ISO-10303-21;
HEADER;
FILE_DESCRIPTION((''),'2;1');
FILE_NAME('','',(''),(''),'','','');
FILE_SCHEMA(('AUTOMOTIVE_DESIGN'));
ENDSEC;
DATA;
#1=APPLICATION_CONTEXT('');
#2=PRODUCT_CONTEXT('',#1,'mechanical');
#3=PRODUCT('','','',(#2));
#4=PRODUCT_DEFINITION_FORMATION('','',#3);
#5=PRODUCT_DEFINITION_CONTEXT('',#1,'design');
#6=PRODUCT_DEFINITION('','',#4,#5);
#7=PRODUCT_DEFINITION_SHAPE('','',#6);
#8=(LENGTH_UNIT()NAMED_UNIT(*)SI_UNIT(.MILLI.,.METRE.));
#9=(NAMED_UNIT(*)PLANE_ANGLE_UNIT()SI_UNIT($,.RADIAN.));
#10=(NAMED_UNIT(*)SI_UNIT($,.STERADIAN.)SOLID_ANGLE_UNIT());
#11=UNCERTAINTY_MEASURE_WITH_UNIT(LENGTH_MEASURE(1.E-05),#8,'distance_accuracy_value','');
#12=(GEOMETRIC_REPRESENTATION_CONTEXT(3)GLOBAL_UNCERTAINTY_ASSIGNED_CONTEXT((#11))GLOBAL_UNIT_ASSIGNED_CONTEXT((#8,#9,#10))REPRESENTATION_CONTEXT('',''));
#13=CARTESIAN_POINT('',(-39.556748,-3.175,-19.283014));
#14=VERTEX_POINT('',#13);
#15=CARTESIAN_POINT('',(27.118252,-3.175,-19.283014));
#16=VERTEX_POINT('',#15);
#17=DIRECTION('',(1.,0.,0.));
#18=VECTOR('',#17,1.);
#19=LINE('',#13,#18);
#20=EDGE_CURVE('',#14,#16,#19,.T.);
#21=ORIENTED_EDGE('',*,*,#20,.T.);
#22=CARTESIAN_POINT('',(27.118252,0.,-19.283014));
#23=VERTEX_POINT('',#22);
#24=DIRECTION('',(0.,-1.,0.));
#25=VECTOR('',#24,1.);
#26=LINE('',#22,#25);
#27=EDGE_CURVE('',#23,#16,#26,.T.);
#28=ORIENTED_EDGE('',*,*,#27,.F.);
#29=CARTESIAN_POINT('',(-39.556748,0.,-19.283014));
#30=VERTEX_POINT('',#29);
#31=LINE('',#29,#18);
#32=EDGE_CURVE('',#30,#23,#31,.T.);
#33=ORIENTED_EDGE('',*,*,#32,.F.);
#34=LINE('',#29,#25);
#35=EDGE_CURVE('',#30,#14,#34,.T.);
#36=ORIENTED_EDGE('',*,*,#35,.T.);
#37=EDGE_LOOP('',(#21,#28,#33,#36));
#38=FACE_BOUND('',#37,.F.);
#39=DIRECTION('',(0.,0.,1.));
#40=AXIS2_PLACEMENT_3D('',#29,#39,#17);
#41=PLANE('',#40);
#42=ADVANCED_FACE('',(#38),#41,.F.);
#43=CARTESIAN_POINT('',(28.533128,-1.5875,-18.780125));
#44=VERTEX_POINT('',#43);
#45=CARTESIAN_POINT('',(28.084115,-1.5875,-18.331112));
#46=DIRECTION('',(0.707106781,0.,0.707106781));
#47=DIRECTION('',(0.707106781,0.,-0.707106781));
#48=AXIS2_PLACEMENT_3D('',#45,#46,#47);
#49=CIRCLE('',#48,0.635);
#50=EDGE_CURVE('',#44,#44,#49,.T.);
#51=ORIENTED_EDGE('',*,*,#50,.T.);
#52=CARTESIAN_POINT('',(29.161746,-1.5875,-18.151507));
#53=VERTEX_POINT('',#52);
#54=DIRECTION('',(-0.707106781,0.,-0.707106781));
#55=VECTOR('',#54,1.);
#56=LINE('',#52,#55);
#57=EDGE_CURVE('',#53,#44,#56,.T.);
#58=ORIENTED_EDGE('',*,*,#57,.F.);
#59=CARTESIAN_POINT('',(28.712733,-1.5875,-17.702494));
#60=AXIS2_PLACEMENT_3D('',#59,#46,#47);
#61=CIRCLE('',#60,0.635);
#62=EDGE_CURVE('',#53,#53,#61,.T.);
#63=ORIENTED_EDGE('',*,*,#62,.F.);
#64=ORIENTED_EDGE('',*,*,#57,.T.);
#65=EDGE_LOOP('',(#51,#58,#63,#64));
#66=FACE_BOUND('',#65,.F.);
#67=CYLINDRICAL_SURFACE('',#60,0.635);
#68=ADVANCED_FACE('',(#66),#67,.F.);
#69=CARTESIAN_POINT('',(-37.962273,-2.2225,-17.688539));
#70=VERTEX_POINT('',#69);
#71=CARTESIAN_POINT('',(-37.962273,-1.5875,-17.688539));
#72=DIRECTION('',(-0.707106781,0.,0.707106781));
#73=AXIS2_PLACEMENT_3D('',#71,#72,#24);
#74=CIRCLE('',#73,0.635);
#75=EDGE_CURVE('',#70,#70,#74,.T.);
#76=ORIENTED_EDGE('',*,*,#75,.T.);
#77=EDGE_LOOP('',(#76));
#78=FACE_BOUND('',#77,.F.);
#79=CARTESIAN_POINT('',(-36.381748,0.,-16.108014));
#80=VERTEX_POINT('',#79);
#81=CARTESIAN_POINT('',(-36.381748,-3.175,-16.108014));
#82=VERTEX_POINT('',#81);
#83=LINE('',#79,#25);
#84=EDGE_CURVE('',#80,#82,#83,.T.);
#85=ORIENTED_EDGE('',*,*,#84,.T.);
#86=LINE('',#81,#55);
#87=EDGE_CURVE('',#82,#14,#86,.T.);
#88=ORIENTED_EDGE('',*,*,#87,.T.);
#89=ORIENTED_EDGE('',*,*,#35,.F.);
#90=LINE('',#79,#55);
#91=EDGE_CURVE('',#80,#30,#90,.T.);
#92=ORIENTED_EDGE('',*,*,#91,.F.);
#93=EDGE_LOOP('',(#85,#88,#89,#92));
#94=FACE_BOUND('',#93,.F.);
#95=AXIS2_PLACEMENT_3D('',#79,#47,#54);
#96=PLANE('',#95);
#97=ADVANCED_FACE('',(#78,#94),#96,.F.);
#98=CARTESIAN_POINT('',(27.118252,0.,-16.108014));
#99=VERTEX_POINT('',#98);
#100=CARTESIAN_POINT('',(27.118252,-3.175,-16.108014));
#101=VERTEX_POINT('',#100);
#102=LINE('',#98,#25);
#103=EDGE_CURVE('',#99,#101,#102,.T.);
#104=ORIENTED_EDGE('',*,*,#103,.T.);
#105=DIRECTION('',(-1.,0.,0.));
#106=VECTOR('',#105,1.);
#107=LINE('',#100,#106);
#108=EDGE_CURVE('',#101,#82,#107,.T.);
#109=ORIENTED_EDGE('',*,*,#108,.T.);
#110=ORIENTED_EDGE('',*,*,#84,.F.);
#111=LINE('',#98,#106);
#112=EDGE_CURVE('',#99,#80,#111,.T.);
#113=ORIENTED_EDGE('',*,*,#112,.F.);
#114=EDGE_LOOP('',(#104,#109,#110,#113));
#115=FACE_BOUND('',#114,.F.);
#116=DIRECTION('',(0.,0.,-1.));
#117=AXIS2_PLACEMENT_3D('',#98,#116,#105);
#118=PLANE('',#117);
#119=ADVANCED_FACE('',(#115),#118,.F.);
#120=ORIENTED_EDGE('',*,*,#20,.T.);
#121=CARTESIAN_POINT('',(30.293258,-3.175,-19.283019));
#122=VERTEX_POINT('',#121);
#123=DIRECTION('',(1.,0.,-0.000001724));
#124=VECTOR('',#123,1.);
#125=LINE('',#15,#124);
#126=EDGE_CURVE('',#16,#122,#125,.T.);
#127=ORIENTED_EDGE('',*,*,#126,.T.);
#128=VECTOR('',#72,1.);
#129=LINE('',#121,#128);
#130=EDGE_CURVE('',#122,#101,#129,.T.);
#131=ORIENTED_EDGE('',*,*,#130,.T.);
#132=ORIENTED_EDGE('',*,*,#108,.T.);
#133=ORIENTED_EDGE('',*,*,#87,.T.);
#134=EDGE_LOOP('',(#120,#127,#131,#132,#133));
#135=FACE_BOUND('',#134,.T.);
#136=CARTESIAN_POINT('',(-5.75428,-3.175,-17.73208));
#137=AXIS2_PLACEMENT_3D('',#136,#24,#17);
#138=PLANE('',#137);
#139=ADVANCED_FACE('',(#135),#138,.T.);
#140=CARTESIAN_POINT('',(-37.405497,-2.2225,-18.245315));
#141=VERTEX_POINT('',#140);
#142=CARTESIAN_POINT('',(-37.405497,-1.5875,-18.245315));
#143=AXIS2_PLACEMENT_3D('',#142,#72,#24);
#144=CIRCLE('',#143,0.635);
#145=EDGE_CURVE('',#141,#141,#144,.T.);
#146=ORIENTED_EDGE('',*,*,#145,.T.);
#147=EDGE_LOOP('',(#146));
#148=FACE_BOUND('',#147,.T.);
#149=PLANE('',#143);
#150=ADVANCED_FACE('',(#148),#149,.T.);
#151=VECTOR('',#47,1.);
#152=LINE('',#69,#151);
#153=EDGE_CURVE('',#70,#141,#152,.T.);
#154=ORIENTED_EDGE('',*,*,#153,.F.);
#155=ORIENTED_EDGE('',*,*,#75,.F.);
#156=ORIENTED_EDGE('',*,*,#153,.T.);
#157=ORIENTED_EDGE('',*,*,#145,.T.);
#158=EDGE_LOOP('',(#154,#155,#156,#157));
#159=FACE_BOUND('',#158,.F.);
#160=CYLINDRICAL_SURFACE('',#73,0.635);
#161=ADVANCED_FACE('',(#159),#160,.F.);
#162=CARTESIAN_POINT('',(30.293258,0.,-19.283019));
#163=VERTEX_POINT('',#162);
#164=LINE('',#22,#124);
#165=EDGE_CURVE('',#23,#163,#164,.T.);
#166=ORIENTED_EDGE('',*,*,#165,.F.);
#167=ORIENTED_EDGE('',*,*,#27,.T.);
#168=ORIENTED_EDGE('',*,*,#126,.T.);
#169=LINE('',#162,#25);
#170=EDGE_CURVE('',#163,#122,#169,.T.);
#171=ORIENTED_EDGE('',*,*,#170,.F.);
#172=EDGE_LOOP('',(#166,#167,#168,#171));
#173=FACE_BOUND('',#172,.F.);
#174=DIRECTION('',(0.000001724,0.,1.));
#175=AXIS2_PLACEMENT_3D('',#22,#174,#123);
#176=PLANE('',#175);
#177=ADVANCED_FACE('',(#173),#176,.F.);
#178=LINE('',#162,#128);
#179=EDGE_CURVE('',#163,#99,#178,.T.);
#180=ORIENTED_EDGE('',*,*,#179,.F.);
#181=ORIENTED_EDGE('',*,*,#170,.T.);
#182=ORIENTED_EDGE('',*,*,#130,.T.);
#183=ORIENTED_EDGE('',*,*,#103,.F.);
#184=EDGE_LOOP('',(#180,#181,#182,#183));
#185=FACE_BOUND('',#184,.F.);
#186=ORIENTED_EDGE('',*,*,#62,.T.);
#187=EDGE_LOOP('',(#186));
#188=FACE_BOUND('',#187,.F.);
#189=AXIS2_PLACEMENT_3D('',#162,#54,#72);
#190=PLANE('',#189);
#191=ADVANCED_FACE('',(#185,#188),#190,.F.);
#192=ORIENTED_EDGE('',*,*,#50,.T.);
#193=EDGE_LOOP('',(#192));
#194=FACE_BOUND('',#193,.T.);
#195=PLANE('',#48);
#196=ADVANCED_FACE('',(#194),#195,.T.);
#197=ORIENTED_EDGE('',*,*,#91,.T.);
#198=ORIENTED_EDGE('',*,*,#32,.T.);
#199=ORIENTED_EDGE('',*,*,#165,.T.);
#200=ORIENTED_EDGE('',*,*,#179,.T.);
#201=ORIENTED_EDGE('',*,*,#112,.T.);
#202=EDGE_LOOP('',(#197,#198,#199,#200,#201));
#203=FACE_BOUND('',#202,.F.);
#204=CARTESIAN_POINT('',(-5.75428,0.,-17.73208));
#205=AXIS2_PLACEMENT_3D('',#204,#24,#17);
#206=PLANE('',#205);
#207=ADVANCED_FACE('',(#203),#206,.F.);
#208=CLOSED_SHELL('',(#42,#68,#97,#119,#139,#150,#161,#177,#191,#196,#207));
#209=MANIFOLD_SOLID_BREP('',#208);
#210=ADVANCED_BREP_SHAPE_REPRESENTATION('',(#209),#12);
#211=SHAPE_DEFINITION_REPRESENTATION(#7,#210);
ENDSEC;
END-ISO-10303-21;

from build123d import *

# Parameters (mm, degrees)
F1_DEPTH = 3.175
F2_R     = 0.635
F3_DEPTH = 0.7874
F4_R     = 0.635
F5_DEPTH = 0.889


with BuildPart() as f1:
    # F0 (on Front) → F1 (new body)
    with BuildSketch(Plane.XZ):
        Polygon((-36.3817475656, -16.1080135742), (-39.5567475656, -19.2830135742), (27.1182524344, -19.2830135742), (27.1182524344, -16.1080135742), align=None)
        Polygon((27.1182524344, -16.1080135742), (27.1182524344, -19.2830135742), (30.293257907, -19.2830190468), align=None)
    extrude(amount=F1_DEPTH)

    # F2 (on face) → F3 (cut)
    with BuildSketch(Plane(origin=(-10.1368669957, 0, 10.1368669957), x_dir=(0, -1, 0), z_dir=(-0.7071067812, 0, 0.7071067812))):
        with Locations((1.5875, -39.3510660448)):
            Circle(F2_R)
    extrude(amount=-F3_DEPTH, mode=Mode.SUBTRACT)

    # F4 (on face) → F5 (cut)
    with BuildSketch(Plane(origin=(5.5051194301, 0, 5.5051194301), x_dir=(0.7071067812, 0, -0.7071067812), z_dir=(0.7071067812, 0, 0.7071067812))):
        with Locations((32.8205216201, -1.5875)):
            Circle(F4_R)
    extrude(amount=-F5_DEPTH, mode=Mode.SUBTRACT)


solid = f1.part
